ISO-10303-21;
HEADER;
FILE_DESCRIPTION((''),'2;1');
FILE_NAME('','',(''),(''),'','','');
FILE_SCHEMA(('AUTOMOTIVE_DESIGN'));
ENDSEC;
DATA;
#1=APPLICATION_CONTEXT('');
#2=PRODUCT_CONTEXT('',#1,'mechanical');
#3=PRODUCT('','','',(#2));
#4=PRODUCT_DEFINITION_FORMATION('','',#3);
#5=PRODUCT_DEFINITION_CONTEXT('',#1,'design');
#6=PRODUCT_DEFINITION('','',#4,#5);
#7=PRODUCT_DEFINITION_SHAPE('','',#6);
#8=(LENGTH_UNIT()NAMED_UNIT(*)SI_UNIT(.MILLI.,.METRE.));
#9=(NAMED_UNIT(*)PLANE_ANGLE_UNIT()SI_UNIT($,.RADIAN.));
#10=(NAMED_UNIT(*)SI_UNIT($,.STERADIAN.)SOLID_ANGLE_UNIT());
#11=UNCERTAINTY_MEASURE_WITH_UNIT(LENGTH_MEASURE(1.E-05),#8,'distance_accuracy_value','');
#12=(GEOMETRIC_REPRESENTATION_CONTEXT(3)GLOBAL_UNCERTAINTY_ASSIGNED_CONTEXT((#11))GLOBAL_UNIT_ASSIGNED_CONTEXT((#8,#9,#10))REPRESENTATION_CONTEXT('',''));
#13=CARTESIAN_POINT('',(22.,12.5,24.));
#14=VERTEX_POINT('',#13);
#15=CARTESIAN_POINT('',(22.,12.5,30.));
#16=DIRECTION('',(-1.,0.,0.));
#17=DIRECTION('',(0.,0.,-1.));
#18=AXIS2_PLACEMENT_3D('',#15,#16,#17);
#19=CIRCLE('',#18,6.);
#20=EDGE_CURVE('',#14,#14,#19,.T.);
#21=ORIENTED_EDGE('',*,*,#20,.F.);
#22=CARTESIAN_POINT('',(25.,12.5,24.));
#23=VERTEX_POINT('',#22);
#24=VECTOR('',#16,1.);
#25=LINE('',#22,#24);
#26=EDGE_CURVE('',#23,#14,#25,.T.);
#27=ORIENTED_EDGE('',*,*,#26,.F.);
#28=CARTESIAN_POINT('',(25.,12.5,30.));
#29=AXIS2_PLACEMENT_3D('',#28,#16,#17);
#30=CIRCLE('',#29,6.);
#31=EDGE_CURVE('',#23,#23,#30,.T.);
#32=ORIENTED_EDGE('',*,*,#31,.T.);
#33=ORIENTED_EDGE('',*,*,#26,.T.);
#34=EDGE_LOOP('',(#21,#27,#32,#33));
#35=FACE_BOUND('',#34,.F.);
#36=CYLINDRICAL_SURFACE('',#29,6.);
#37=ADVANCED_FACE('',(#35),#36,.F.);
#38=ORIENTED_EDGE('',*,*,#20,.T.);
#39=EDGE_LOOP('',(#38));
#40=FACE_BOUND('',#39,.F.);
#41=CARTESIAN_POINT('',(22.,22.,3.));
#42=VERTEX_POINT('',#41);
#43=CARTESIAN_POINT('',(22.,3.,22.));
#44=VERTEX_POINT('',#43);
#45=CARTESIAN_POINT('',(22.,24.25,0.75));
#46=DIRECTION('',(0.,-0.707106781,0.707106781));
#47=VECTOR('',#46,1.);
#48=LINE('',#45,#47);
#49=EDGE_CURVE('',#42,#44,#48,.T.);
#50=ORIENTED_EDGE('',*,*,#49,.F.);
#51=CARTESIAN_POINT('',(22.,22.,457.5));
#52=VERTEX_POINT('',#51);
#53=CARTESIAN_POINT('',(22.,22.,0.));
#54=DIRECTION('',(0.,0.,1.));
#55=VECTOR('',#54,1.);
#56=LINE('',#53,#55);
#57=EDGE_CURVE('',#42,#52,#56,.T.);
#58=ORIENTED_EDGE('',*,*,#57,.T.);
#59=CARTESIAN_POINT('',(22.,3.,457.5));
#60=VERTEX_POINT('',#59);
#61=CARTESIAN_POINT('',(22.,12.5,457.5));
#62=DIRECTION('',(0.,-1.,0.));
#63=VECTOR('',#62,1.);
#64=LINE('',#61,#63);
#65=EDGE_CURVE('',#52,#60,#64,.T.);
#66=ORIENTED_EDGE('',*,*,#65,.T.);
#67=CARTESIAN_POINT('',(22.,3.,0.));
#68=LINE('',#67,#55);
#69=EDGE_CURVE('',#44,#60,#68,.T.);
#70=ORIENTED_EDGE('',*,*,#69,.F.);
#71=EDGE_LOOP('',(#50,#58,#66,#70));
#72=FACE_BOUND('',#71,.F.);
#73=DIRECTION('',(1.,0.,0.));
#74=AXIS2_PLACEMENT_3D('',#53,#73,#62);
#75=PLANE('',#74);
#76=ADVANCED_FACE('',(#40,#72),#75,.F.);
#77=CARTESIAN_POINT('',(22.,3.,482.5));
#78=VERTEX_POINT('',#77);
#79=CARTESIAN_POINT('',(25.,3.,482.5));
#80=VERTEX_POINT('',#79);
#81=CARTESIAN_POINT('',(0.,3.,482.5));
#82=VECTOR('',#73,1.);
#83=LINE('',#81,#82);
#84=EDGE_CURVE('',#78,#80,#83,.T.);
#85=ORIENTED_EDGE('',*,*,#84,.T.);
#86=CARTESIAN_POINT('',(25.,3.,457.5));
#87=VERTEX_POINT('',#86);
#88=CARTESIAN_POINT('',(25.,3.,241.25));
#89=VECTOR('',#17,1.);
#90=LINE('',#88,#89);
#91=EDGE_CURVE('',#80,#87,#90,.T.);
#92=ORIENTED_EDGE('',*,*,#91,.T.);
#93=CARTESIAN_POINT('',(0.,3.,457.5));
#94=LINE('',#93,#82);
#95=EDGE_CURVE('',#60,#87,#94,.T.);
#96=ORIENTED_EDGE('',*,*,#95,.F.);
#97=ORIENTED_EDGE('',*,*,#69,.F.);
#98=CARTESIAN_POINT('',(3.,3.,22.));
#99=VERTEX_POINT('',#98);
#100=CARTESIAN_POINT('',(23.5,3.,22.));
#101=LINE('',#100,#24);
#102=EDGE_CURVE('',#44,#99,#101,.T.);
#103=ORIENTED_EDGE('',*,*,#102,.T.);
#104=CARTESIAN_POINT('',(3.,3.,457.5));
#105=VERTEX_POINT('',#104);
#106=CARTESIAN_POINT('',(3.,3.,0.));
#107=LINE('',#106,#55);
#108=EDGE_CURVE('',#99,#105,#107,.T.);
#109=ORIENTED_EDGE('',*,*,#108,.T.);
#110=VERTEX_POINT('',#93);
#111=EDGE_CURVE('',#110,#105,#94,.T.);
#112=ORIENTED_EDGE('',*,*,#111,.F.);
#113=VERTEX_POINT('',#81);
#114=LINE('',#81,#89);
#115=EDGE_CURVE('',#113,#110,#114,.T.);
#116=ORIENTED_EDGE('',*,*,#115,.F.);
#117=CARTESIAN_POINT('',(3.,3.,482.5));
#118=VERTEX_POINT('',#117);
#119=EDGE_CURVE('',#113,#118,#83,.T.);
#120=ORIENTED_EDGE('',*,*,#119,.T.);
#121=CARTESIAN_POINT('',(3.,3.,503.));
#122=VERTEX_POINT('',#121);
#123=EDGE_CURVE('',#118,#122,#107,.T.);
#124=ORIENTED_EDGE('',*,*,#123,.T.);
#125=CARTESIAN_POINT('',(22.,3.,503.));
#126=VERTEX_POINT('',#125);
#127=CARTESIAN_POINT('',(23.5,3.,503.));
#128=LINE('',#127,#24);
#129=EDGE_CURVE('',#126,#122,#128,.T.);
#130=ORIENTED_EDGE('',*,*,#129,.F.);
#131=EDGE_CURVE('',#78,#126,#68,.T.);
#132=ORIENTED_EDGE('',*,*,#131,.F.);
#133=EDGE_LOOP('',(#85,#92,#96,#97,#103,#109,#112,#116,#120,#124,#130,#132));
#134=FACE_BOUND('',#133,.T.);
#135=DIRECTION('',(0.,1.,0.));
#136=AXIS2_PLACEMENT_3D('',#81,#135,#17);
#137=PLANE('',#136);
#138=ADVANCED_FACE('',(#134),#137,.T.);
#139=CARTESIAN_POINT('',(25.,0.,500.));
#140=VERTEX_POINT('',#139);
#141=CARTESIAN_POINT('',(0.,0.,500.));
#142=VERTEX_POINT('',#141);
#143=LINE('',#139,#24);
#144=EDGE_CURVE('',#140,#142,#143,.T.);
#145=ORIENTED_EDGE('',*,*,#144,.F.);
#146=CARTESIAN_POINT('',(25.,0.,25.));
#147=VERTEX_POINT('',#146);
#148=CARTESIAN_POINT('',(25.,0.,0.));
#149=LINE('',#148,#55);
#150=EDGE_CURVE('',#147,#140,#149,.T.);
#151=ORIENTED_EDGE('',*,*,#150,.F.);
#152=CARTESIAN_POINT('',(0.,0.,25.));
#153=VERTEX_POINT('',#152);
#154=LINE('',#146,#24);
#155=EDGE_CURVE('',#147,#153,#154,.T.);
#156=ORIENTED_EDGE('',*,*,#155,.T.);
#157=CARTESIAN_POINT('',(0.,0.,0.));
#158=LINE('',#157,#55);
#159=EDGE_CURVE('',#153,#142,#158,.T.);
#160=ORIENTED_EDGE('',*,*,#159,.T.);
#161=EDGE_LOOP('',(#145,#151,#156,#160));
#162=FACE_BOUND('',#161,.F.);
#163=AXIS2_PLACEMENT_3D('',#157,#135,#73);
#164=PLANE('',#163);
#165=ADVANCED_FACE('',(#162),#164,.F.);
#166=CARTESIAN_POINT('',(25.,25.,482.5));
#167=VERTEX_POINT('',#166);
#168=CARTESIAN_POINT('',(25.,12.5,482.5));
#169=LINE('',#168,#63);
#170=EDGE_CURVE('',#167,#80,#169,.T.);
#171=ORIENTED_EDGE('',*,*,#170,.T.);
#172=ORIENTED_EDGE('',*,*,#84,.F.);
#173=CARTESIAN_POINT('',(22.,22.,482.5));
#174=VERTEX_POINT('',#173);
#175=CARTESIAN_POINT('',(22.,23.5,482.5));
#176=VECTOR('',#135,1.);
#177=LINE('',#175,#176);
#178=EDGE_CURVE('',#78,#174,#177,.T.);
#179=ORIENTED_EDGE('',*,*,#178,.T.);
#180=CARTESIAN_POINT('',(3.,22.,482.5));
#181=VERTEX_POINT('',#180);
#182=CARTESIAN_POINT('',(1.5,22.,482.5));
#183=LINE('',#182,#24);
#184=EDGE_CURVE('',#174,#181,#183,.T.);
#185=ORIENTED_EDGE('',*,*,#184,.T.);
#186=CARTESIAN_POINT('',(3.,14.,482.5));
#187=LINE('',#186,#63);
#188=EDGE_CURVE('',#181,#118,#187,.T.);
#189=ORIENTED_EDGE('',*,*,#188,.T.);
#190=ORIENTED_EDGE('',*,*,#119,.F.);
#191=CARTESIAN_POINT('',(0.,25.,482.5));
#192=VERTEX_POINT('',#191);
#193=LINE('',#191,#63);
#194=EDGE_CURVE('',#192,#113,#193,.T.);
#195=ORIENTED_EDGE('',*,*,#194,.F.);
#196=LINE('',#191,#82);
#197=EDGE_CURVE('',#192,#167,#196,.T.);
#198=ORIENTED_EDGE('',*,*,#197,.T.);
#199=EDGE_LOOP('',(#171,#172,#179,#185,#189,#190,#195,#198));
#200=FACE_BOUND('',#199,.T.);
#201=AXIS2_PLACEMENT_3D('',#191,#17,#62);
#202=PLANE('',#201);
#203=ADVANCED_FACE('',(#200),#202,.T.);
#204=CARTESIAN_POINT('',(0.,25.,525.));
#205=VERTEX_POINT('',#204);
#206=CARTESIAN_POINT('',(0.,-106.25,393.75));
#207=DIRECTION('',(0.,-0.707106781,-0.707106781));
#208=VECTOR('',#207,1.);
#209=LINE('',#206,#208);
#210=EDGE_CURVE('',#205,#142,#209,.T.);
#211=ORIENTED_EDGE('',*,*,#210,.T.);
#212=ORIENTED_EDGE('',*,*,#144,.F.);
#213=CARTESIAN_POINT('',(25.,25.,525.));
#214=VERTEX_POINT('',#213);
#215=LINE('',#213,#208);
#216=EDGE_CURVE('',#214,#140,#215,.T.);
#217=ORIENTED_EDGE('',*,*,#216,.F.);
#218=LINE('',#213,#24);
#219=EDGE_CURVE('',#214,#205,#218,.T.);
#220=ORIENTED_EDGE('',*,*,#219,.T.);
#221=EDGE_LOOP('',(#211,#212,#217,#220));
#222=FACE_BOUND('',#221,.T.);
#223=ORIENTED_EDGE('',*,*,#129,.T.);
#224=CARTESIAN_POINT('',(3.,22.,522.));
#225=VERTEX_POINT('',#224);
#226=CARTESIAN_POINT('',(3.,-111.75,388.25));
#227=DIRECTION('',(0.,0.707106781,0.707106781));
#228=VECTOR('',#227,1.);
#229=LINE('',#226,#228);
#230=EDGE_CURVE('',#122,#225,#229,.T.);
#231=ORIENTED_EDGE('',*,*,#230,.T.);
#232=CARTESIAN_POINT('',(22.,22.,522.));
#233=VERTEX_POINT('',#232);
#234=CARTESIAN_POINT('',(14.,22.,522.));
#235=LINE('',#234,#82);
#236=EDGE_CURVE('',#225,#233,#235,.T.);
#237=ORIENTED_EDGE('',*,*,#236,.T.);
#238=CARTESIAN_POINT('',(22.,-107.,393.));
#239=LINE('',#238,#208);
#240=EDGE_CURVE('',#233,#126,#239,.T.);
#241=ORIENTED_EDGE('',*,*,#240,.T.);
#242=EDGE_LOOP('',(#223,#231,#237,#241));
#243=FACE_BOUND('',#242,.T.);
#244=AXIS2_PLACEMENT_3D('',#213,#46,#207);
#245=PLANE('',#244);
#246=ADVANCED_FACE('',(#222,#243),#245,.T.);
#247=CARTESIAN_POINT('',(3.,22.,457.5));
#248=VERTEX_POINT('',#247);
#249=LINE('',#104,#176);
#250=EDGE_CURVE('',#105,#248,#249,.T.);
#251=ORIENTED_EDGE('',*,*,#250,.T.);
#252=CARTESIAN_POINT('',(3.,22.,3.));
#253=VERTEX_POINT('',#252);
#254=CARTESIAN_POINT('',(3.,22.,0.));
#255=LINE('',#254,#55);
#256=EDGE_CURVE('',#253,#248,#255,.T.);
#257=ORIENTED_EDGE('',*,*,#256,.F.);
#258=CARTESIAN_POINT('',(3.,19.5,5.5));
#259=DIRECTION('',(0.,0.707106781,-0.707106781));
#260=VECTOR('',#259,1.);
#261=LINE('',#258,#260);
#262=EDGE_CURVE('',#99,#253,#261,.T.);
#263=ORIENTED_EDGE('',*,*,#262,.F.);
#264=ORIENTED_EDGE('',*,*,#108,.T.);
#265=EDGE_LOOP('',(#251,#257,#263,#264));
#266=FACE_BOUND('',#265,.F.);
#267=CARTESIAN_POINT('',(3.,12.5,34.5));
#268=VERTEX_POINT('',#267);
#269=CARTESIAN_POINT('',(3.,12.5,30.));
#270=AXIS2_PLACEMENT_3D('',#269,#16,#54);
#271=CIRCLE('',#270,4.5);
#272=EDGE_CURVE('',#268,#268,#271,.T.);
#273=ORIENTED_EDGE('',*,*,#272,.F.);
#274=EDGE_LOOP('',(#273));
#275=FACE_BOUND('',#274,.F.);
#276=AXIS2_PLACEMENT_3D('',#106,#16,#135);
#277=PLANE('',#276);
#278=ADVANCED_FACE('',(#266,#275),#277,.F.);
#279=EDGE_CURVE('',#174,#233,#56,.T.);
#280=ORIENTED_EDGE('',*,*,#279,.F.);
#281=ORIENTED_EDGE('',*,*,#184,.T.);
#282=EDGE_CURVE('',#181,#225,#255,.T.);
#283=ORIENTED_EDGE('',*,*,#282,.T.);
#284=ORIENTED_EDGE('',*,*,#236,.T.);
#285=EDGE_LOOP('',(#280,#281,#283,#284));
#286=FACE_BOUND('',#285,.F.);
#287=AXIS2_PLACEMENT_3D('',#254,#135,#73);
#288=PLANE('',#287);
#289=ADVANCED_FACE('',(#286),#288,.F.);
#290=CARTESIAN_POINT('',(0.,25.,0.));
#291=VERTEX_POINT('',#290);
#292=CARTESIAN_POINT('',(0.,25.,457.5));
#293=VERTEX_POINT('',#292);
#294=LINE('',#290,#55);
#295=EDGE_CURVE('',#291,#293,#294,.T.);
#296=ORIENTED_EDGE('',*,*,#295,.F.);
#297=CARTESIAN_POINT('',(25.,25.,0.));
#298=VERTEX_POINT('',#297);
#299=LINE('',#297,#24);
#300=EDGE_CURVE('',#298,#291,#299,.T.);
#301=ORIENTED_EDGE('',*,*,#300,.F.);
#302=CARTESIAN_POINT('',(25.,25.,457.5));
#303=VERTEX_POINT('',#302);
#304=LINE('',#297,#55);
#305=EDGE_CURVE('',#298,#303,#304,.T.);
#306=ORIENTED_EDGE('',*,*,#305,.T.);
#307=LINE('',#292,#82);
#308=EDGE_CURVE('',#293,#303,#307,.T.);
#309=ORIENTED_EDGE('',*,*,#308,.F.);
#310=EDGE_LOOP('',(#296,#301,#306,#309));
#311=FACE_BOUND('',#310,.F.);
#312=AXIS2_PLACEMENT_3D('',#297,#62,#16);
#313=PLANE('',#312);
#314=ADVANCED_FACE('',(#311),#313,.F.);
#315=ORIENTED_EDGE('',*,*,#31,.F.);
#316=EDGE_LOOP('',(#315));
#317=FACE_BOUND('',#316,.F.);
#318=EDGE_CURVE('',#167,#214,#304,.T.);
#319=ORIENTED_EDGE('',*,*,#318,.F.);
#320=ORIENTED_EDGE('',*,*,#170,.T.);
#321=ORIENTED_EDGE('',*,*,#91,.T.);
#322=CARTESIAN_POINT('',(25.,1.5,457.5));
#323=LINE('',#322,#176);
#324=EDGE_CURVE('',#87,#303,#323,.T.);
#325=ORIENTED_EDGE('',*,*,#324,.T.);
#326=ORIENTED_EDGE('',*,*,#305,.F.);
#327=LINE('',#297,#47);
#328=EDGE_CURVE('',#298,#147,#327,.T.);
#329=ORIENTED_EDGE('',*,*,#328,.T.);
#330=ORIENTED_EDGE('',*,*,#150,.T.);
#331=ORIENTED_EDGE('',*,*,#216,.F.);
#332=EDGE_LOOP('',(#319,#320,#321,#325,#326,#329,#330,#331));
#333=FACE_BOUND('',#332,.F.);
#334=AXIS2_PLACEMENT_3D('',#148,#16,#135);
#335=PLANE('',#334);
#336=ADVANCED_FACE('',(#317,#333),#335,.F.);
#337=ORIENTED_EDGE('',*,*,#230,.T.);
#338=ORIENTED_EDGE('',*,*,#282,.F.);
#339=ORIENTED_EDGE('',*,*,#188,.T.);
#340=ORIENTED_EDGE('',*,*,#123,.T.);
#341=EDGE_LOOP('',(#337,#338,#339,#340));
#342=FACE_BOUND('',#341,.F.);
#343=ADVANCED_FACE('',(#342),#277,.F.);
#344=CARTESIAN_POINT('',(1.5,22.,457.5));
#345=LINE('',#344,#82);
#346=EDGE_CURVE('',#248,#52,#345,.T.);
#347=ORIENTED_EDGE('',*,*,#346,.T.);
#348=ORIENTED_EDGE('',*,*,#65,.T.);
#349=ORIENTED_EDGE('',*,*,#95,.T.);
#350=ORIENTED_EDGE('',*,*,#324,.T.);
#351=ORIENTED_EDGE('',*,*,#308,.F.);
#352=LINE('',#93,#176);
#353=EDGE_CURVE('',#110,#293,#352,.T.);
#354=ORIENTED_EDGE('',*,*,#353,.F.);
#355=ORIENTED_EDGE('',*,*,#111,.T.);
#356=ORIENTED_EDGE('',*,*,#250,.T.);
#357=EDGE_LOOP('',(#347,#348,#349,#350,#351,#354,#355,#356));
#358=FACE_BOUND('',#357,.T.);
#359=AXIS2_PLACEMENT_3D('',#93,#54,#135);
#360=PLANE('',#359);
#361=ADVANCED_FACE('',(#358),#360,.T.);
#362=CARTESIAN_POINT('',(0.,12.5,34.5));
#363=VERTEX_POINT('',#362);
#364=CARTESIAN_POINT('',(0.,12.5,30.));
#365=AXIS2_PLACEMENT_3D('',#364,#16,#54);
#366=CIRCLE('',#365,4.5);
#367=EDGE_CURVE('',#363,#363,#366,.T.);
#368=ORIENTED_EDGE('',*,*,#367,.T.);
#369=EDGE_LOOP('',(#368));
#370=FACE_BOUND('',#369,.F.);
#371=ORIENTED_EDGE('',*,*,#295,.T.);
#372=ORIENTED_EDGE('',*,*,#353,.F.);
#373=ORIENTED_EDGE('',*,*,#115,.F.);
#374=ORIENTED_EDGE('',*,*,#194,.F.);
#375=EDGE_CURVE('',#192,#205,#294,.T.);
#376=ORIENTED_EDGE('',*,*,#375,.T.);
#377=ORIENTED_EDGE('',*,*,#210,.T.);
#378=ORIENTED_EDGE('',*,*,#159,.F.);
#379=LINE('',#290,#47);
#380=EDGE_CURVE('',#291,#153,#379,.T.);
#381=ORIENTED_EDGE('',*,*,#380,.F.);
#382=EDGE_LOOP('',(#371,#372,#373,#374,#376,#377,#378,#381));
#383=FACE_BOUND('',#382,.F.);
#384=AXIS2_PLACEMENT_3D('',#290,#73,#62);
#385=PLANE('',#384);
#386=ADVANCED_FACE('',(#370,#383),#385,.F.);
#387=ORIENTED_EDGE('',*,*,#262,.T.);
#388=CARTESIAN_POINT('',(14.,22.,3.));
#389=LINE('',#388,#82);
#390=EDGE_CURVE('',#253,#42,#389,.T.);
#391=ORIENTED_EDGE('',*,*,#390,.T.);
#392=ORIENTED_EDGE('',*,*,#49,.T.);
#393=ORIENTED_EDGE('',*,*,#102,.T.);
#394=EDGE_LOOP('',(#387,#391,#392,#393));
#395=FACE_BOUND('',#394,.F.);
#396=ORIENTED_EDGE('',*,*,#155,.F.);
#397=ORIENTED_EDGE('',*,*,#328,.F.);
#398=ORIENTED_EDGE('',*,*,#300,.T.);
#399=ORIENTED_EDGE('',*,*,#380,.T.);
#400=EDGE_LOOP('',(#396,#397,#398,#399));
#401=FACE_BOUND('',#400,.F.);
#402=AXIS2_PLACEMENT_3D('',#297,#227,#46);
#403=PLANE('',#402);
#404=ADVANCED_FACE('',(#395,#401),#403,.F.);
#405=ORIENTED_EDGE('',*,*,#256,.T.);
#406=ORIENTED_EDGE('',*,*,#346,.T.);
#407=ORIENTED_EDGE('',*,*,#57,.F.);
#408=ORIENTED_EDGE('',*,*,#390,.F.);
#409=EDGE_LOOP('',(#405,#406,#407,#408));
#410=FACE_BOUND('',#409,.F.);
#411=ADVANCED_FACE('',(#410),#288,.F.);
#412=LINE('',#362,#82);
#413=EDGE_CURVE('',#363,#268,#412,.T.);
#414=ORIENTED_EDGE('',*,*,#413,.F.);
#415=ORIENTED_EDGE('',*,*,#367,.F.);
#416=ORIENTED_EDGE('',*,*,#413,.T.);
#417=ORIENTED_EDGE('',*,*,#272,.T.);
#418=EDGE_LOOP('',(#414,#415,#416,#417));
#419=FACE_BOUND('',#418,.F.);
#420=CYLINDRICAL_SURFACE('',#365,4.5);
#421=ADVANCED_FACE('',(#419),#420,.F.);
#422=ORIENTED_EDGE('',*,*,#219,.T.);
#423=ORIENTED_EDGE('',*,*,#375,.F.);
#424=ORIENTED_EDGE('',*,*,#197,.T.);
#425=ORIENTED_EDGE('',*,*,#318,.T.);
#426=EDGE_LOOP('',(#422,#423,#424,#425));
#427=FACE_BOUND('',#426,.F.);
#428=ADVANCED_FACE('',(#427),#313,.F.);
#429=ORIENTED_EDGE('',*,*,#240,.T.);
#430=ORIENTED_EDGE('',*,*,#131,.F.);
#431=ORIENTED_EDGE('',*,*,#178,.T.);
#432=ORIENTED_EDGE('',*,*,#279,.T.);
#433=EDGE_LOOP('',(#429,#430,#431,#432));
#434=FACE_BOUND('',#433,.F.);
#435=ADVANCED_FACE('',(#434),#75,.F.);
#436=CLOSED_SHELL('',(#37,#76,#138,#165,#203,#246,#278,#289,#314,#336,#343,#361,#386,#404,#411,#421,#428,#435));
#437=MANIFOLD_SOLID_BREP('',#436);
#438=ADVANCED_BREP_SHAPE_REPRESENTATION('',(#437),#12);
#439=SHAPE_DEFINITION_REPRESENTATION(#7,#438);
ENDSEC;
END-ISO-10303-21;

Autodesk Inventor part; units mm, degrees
ref_plane "YZ Plane" through (0, 0, 0) normal (1, 0, 0) x (0, 1, 0)
ref_plane "XZ Plane" through (0, 0, 0) normal (0, 1, 0) x (-1, 0, 0)
ref_plane "XY Plane" through (0, 0, 0) normal (0, 0, 1) x (1, 0, 0)
sketch "Sketch1" plane through (0, 0, 0) normal (0, 0, 1) x (1, 0, 0)
  line L0 (0, 0) -> (25, 0)
  line L1 (25, 0) -> (25, 25)
  line L2 (25, 25) -> (0, 25)
  line L3 (0, 25) -> (0, 0)
  line L4 (3, 22) -> (22, 22)
  line L5 (22, 22) -> (22, 3)
  line L6 (22, 3) -> (3, 3)
  line L7 (3, 3) -> (3, 22)
  dimension "d0" = 25
  dimension "d1" = 25
  dimension "d2" = 3
extrude "Extrusion1" add sketch "Sketch1" along normal blind 525
sketch "Sketch2" plane through (25, 0, 0) normal (1, 0, 0) x (0, 0, -1)
  line L0 (0, 0) -> (0, 25) projected
  line L1 (0, 25) -> (-525, 25) projected
  line L2 (-525, 0) -> (-525, 25) projected
  line L3 (0, 0) -> (-525, 0) projected
  line L4 (-525, 25) -> (-500, 0)
  line L5 (-525, 25) -> (-489.6447, 25) construction
  line L6 (0, 25) -> (-25, 0)
  line L7 (0, 25) -> (35.3553, 25) construction
  dimension "d5" = 45
  dimension "d6" = 135
extrude "Extrusion2" cut sketch "Sketch2" against normal blind 500 contours L3 L6 L0 | L4 L3 L2
sketch "Sketch3" plane through (25, 25, 525) normal (1, 0, 0) x (0, 0, -1)
  line L0 (500, -25) -> (25, -25) projected
  line L1 (525, 0) -> (0, 0) projected
  line L2 (25, -25) -> (0, 0) projected
  point P0 (525, -25)
  point P1 (55, -12.5)
  point P2 (495, -12.5)
  point P3 (262.5, 0)
  point P4 (12.5, -12.5)
  point P5 (12.5, -12.5)
  dimension "d9" = 440
  dimension "d10" = 12.5
  dimension "d50" = 42.5
hole "Hole1" at (25, 12.5, 30) direction (-1, 0, 0) diameter 12 depth 8 tip angle 118
sketch "Sketch5" plane through (0, 25, 0) normal (-1, 0, 0) x (0, 0, 1)
  circle A0 centre (30, -12.5) radius 6 projected
  line L0 (0, 0) -> (525, 0) projected
  line L1 (457.5, 0) -> (482.5, 0)
  line L2 (482.5, 0) -> (482.5, -22)
  line L3 (482.5, -22) -> (457.5, -22)
  line L4 (457.5, -22) -> (457.5, 0)
  circle A1 centre (30, -12.5) radius 4.5
  point P0 (0, -25)
  point P1 (470, -12.5)
  point P2 (470, 0)
  dimension "d33" = 440
  dimension "d51" = 12.5
  dimension "d52" = 25
  dimension "d53" = 22
  dimension "d54" = 0
  dimension "d57" = 9
extrude "Extrusion3" cut sketch "Sketch5" against normal through all contours L0 L2 L3 L4 | A1
properties part number "P402" material "Aluminum 6061"
